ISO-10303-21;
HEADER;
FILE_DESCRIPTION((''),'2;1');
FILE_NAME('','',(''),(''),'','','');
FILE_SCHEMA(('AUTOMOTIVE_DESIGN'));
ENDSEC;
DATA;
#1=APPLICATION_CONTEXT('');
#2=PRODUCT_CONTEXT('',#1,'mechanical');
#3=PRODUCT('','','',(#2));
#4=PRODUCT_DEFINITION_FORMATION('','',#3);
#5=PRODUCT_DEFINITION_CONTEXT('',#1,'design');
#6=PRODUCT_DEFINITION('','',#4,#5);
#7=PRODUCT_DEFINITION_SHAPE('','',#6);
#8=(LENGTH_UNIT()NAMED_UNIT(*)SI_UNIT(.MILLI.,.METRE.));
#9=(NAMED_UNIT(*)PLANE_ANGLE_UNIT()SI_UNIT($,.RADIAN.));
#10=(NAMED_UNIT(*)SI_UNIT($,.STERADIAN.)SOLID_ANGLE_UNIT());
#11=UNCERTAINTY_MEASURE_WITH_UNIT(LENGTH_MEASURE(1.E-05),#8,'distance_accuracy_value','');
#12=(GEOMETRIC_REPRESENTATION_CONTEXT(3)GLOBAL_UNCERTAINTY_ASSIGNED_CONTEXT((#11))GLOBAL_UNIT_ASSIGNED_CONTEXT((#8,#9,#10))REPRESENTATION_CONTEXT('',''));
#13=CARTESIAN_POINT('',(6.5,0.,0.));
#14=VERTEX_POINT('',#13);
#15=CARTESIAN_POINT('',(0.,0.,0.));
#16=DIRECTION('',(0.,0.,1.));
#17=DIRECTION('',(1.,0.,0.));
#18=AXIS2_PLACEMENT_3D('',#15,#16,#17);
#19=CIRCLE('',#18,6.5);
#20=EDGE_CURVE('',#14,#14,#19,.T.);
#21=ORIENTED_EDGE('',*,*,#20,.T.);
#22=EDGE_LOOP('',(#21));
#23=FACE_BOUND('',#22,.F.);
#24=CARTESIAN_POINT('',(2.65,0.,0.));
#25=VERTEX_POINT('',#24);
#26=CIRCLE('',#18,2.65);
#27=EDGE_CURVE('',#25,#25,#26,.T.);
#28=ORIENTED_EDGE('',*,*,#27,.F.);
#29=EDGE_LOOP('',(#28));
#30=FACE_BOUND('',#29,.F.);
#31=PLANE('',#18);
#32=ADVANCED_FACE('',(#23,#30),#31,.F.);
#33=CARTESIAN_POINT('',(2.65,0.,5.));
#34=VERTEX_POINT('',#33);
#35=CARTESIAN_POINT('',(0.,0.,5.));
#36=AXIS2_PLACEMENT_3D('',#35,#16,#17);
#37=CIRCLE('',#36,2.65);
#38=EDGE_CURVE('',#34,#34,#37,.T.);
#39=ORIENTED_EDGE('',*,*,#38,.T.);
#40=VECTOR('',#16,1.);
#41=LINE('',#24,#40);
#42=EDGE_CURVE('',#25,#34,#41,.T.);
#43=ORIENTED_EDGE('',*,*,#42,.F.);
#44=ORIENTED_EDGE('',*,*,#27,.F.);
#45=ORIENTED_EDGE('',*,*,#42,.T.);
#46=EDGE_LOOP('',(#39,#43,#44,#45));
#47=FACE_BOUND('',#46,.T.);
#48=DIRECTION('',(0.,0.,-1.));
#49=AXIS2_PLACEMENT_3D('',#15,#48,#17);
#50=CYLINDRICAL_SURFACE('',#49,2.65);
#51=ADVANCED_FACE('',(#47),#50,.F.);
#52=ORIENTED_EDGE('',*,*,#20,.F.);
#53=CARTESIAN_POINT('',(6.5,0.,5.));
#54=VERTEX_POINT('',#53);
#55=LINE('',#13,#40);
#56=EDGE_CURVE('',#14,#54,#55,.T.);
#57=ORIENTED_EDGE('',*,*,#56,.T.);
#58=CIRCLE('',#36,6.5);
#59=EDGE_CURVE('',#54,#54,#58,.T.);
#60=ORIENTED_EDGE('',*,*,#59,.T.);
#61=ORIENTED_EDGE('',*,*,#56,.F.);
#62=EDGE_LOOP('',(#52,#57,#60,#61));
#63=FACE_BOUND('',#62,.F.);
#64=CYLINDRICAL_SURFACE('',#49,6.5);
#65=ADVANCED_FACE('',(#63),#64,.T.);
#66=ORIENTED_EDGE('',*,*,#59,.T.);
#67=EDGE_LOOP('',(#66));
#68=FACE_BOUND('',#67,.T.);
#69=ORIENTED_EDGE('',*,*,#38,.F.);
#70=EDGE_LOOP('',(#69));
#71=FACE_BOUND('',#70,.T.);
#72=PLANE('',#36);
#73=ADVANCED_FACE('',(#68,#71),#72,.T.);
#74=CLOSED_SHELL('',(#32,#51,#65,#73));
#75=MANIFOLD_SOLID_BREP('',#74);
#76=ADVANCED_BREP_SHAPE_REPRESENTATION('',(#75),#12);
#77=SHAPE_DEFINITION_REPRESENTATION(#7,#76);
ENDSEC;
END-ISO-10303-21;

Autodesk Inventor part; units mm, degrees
ref_plane "YZ Plane" through (0, 0, 0) normal (1, 0, 0) x (0, 1, 0)
ref_plane "XZ Plane" through (0, 0, 0) normal (0, 1, 0) x (-1, 0, 0)
ref_plane "XY Plane" through (0, 0, 0) normal (0, 0, 1) x (1, 0, 0)
sketch "スケッチ1" plane through (0, 0, 0) normal (0, 0, 1) x (1, 0, 0)
  circle A0 centre (0, 0) radius 6.5
  circle A1 centre (0, 0) radius 2.65
  dimension "d0" = 13
  dimension "d1" = 5.3
extrude "押し出し1" add sketch "スケッチ1" along normal blind 5
properties part number "CC-0513-50B"
